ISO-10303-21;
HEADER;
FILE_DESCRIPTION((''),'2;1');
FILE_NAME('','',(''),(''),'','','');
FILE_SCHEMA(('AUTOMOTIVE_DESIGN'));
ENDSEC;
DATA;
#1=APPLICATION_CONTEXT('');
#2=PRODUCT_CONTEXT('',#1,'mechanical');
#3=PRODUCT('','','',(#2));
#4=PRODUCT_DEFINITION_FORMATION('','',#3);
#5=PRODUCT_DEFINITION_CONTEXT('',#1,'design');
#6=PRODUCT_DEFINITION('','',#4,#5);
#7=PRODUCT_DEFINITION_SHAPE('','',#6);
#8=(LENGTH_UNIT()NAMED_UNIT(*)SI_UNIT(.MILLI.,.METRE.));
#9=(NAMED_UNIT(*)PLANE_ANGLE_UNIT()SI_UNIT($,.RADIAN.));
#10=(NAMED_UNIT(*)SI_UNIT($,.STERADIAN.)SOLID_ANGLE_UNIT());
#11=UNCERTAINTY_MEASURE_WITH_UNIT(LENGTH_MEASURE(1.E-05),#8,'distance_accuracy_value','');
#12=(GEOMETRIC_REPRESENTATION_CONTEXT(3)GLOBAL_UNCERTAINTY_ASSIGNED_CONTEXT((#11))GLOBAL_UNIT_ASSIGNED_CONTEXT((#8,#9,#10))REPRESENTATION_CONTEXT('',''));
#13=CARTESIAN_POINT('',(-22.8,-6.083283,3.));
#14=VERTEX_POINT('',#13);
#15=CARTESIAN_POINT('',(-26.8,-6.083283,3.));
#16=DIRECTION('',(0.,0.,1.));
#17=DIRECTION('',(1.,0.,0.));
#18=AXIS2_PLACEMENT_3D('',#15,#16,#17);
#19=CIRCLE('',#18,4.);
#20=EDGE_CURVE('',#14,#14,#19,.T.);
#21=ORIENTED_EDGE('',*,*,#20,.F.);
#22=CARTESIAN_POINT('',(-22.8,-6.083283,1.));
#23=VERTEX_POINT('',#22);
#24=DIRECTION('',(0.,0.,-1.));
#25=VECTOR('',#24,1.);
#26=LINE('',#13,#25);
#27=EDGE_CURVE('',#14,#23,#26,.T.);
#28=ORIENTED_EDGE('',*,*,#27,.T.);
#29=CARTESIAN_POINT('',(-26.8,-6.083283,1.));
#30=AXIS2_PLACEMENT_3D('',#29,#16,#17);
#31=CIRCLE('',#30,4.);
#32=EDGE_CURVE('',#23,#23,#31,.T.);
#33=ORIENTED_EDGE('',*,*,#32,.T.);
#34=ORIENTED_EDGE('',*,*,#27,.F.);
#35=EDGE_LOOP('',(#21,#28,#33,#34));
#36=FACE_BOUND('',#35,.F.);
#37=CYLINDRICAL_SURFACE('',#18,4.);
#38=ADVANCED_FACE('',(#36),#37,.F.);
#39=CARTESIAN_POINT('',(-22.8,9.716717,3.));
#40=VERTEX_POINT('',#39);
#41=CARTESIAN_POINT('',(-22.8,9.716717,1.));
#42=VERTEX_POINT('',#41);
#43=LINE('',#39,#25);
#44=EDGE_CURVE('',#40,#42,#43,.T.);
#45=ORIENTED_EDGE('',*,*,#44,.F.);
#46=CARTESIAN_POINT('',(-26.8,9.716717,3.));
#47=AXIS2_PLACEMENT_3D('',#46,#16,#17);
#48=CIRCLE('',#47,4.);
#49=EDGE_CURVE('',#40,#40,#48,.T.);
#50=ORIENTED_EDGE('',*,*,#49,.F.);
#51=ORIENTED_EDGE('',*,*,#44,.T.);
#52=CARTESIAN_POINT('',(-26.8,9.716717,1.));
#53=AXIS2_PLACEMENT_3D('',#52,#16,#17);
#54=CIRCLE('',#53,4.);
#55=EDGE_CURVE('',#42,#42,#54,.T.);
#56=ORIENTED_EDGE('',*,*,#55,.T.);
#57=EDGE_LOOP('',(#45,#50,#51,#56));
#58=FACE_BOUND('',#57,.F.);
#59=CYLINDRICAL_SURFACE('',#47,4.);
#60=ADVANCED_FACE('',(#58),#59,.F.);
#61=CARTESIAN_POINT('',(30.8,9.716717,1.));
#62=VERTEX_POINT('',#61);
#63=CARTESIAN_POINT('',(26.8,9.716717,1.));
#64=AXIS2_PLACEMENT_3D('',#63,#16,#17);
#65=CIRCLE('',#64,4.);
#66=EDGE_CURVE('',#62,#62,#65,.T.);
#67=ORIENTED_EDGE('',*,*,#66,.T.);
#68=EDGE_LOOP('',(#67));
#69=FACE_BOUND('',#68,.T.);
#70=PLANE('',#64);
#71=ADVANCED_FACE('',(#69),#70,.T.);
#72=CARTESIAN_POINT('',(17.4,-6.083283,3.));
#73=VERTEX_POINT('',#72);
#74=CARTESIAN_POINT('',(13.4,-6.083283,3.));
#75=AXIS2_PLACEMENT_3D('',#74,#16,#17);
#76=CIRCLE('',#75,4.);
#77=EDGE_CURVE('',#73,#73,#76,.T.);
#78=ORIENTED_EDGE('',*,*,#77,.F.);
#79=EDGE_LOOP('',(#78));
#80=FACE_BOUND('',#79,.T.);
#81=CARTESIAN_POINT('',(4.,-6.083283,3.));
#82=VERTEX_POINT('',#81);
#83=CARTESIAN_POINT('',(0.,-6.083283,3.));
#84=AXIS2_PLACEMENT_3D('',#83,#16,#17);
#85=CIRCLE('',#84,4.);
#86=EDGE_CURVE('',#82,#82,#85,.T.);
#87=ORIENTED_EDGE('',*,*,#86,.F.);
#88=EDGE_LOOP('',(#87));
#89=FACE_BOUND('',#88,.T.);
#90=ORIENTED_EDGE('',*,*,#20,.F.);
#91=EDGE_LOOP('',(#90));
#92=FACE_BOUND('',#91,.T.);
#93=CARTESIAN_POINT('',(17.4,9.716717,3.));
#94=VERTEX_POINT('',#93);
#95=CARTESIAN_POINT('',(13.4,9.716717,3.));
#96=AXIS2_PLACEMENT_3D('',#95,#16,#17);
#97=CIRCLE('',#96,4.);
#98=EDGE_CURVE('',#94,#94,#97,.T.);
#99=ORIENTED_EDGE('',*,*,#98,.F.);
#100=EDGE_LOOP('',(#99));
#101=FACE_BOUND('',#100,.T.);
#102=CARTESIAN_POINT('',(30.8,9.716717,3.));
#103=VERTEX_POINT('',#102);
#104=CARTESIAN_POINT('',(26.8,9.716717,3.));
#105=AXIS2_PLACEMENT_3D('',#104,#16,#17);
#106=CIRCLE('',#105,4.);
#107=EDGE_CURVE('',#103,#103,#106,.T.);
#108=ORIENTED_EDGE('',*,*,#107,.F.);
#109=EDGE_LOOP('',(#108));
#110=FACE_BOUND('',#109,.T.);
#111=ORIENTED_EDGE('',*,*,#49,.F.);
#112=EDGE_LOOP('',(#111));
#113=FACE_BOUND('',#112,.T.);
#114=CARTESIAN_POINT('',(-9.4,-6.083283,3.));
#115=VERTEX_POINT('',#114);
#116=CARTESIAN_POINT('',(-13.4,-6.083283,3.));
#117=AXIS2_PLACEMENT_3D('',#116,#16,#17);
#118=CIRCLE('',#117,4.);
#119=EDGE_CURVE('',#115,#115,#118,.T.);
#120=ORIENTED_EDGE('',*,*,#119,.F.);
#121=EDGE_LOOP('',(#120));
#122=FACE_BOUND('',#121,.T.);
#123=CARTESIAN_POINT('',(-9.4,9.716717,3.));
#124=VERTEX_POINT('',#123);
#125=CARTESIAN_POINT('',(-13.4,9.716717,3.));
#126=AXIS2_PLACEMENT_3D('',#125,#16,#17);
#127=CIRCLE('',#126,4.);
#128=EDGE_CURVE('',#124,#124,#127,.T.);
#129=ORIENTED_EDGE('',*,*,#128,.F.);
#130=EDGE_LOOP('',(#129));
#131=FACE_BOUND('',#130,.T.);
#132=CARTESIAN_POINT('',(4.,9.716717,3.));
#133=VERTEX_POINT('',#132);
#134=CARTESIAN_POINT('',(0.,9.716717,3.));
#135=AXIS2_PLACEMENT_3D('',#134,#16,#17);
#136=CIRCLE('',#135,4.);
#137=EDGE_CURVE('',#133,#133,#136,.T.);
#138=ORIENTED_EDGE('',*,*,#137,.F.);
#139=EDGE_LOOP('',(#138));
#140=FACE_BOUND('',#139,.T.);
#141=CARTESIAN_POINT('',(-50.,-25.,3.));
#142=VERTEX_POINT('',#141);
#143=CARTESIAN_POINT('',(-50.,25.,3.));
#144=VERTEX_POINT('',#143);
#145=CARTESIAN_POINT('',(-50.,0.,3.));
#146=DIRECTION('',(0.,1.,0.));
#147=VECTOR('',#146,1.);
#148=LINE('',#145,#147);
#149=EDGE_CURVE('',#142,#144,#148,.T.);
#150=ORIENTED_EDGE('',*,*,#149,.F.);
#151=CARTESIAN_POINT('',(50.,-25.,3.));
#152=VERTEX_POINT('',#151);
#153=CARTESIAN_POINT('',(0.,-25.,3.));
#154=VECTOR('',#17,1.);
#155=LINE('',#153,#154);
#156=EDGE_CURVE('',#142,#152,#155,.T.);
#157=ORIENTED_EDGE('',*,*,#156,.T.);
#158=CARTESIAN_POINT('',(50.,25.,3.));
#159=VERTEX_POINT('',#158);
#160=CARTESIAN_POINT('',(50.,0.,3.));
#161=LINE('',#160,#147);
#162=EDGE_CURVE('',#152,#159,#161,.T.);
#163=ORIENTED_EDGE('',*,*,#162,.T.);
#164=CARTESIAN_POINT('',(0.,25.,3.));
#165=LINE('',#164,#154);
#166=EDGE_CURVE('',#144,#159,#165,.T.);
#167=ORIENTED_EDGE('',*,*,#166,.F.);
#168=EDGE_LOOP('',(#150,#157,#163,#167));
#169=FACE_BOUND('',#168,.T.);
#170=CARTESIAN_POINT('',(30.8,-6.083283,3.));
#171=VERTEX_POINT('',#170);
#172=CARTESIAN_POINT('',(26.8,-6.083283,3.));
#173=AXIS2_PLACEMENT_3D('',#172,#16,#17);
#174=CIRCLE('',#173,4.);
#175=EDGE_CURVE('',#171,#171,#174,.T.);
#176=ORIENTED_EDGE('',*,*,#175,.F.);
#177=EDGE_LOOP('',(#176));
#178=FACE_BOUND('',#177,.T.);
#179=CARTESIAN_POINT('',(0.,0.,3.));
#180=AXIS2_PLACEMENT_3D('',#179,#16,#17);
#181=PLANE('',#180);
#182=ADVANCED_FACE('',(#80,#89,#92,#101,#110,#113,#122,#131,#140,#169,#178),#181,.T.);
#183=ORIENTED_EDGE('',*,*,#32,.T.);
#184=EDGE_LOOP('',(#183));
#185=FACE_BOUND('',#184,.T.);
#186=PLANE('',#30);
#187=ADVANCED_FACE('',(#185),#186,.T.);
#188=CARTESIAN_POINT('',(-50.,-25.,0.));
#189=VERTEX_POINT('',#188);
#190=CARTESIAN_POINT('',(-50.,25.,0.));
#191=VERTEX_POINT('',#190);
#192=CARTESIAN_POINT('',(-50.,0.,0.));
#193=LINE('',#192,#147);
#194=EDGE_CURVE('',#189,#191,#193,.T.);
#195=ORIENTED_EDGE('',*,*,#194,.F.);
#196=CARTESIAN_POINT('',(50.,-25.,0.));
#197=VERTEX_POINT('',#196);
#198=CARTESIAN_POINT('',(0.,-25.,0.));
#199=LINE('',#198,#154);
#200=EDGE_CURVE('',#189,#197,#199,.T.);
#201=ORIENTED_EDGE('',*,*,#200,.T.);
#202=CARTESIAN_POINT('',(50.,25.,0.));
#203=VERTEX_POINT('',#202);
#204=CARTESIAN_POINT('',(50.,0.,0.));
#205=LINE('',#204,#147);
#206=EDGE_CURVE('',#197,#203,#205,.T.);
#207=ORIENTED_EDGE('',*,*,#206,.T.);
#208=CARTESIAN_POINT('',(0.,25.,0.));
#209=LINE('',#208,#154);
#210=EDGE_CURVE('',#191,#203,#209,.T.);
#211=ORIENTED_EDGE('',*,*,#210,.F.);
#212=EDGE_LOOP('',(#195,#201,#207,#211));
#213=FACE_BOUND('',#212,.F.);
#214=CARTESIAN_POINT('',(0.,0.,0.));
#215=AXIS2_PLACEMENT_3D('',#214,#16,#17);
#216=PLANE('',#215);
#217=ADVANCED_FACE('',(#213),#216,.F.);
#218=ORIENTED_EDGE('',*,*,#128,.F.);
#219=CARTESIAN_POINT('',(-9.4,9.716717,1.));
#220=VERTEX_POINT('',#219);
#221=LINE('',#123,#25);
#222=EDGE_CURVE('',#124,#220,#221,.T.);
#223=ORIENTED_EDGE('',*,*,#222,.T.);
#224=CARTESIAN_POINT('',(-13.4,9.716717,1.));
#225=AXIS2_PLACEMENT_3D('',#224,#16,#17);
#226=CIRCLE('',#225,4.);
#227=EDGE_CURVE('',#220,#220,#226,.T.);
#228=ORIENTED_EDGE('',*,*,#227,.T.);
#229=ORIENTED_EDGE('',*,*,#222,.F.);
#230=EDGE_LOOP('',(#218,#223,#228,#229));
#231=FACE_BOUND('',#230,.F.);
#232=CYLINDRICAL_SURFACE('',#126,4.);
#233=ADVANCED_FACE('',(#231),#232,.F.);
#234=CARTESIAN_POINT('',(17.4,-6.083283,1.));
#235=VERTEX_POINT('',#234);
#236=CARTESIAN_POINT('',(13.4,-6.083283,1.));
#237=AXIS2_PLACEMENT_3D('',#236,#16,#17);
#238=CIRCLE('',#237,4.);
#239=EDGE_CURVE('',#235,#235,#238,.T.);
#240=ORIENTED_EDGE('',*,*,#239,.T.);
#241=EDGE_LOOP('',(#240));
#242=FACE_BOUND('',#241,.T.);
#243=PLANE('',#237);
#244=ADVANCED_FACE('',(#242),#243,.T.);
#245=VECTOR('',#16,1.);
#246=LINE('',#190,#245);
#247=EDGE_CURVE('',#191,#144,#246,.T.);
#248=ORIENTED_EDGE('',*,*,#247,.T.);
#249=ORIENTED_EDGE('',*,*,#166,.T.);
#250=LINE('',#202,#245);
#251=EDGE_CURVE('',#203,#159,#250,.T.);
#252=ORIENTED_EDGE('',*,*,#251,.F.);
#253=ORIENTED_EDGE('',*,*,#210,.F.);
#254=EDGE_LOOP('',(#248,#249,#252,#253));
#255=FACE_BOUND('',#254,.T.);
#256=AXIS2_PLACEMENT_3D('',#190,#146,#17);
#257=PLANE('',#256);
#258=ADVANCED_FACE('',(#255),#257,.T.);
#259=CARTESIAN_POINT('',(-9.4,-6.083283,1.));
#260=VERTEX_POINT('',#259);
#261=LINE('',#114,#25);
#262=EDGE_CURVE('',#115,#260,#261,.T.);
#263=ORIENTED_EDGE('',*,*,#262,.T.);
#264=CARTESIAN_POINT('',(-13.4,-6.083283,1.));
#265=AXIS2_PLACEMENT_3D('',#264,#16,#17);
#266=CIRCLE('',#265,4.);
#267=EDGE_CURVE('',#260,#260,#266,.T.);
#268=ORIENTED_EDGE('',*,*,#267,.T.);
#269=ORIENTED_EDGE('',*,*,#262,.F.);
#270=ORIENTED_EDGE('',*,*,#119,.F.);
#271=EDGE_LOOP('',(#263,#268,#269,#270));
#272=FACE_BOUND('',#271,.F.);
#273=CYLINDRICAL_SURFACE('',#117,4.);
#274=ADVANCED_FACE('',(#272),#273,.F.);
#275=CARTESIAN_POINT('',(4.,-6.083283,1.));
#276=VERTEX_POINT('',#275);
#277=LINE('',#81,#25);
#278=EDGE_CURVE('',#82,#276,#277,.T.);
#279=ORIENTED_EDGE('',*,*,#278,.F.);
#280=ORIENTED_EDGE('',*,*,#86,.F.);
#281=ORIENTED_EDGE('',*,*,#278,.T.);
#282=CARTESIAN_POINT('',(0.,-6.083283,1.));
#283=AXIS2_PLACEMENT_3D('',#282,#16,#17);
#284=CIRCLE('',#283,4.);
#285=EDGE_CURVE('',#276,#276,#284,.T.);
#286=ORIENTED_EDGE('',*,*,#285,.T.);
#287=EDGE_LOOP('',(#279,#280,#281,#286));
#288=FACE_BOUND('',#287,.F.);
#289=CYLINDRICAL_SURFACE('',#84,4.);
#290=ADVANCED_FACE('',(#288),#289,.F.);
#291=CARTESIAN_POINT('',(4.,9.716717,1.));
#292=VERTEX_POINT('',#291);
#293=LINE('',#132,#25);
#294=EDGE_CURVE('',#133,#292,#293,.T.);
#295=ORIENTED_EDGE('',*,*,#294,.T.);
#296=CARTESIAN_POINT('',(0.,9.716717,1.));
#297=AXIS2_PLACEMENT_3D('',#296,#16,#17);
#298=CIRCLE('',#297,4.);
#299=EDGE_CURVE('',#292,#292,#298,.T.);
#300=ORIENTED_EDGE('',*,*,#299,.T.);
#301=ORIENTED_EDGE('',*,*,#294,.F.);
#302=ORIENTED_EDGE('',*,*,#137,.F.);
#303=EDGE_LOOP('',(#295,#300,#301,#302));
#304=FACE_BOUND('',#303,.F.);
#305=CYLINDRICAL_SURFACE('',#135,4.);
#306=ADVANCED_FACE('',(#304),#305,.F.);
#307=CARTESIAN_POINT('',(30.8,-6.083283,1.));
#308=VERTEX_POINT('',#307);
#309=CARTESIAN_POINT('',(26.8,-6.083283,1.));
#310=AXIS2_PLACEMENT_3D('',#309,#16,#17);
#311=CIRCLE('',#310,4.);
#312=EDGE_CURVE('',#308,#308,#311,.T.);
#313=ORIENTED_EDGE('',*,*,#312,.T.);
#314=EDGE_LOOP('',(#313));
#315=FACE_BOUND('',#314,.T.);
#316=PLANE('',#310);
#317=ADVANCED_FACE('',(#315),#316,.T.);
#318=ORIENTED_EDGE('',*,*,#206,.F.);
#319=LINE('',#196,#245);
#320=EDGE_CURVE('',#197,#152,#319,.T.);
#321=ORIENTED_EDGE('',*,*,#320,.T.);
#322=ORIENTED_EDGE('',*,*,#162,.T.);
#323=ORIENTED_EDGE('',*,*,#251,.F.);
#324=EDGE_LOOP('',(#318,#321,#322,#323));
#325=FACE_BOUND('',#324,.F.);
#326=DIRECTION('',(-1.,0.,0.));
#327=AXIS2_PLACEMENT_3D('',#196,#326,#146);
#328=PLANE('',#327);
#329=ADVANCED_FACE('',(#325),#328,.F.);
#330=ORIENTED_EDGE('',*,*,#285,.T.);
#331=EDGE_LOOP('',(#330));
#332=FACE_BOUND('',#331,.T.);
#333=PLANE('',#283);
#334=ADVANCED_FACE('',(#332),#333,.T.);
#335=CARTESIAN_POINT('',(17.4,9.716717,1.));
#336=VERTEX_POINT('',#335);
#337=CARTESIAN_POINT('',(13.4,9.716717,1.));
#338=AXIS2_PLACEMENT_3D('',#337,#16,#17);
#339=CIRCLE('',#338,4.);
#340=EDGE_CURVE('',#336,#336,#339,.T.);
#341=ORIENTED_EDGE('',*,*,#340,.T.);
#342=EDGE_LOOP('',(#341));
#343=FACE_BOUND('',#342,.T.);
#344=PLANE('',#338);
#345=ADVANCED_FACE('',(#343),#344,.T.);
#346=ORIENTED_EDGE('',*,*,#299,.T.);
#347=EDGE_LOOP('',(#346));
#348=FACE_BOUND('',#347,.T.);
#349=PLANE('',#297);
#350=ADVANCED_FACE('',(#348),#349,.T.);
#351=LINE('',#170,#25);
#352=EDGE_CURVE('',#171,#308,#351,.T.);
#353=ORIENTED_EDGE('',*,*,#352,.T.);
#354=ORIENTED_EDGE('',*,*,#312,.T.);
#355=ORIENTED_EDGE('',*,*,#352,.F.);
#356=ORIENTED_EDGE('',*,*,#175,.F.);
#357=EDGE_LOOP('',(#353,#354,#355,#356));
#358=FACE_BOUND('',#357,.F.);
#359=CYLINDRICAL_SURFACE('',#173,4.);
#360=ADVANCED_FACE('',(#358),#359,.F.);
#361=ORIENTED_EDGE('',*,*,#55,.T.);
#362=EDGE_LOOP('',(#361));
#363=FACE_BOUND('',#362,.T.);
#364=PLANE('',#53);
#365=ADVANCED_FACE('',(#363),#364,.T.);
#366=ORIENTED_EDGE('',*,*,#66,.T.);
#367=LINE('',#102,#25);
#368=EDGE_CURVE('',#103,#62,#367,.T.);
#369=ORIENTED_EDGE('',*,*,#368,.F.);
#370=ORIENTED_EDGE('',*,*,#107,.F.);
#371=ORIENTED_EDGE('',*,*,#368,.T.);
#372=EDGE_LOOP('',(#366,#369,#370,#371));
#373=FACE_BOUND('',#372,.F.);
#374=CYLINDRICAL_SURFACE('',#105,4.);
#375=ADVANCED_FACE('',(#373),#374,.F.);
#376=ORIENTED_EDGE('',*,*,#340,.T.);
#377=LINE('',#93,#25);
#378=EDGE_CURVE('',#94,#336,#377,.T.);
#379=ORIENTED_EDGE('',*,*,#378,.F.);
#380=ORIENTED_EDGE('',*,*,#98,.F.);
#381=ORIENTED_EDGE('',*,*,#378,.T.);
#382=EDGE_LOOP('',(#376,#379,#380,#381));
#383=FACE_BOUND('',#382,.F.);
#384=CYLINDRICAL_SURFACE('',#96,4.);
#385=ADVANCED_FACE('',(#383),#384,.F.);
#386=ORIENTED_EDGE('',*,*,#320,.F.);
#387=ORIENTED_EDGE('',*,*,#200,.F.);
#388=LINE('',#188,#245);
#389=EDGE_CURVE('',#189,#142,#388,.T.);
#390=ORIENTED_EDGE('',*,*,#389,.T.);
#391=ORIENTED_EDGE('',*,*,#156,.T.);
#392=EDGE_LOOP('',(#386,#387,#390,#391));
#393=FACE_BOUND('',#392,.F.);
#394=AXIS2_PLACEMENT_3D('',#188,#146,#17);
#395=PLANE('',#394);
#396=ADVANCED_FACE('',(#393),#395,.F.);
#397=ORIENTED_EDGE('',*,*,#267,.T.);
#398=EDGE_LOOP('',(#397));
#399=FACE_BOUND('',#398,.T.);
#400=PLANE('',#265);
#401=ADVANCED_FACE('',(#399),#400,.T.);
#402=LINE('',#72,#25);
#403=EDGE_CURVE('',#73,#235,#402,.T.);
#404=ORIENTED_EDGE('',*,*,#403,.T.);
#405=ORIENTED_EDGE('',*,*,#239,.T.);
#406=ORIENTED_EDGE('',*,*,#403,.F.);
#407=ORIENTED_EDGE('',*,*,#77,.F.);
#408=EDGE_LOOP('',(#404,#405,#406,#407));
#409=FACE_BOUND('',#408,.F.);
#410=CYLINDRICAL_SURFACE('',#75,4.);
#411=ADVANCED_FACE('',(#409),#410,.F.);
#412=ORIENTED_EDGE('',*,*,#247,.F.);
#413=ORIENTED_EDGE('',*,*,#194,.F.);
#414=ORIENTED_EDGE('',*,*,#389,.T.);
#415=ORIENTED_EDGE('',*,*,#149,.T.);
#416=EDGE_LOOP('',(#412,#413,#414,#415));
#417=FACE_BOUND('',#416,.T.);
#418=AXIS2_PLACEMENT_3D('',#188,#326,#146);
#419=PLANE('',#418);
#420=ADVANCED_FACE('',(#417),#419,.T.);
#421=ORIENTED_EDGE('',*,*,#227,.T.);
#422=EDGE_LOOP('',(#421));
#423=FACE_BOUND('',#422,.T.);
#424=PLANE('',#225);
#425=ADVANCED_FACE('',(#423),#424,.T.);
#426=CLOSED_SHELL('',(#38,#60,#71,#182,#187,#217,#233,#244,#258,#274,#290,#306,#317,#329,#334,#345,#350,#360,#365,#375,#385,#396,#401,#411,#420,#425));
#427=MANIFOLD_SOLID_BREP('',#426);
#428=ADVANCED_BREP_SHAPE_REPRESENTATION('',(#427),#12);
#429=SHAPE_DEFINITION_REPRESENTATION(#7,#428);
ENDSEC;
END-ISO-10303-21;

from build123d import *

# Parameters (mm, degrees)
F0_W     = 100
F0_H     = 50
F1_DEPTH = 3
F2_R     = 4
F3_DEPTH = 2


with BuildPart() as f1:
    # F0 (on Top) → F1 (new body)
    with BuildSketch(Plane.XY):
        Rectangle(F0_W, F0_H)
    extrude(amount=F1_DEPTH)

    # F2 (on face) → F3 (cut)
    with BuildSketch(Plane.XY.offset(3)):
        with Locations((-26.8, 9.716717)):
            Circle(F2_R)
        with Locations((-26.8, -6.083283)):
            Circle(F2_R)
        with Locations((-13.4, -6.083283)):
            Circle(F2_R)
        with Locations((-13.4, 9.716717)):
            Circle(F2_R)
        with Locations((0, 9.716717)):
            Circle(F2_R)
        with Locations((0, -6.083283)):
            Circle(F2_R)
        with Locations((13.4, -6.083283)):
            Circle(F2_R)
        with Locations((13.4, 9.716717)):
            Circle(F2_R)
        with Locations((26.8, -6.083283)):
            Circle(F2_R)
        with Locations((26.8, 9.716717)):
            Circle(F2_R)
    extrude(amount=-F3_DEPTH, mode=Mode.SUBTRACT)


solid = f1.part
